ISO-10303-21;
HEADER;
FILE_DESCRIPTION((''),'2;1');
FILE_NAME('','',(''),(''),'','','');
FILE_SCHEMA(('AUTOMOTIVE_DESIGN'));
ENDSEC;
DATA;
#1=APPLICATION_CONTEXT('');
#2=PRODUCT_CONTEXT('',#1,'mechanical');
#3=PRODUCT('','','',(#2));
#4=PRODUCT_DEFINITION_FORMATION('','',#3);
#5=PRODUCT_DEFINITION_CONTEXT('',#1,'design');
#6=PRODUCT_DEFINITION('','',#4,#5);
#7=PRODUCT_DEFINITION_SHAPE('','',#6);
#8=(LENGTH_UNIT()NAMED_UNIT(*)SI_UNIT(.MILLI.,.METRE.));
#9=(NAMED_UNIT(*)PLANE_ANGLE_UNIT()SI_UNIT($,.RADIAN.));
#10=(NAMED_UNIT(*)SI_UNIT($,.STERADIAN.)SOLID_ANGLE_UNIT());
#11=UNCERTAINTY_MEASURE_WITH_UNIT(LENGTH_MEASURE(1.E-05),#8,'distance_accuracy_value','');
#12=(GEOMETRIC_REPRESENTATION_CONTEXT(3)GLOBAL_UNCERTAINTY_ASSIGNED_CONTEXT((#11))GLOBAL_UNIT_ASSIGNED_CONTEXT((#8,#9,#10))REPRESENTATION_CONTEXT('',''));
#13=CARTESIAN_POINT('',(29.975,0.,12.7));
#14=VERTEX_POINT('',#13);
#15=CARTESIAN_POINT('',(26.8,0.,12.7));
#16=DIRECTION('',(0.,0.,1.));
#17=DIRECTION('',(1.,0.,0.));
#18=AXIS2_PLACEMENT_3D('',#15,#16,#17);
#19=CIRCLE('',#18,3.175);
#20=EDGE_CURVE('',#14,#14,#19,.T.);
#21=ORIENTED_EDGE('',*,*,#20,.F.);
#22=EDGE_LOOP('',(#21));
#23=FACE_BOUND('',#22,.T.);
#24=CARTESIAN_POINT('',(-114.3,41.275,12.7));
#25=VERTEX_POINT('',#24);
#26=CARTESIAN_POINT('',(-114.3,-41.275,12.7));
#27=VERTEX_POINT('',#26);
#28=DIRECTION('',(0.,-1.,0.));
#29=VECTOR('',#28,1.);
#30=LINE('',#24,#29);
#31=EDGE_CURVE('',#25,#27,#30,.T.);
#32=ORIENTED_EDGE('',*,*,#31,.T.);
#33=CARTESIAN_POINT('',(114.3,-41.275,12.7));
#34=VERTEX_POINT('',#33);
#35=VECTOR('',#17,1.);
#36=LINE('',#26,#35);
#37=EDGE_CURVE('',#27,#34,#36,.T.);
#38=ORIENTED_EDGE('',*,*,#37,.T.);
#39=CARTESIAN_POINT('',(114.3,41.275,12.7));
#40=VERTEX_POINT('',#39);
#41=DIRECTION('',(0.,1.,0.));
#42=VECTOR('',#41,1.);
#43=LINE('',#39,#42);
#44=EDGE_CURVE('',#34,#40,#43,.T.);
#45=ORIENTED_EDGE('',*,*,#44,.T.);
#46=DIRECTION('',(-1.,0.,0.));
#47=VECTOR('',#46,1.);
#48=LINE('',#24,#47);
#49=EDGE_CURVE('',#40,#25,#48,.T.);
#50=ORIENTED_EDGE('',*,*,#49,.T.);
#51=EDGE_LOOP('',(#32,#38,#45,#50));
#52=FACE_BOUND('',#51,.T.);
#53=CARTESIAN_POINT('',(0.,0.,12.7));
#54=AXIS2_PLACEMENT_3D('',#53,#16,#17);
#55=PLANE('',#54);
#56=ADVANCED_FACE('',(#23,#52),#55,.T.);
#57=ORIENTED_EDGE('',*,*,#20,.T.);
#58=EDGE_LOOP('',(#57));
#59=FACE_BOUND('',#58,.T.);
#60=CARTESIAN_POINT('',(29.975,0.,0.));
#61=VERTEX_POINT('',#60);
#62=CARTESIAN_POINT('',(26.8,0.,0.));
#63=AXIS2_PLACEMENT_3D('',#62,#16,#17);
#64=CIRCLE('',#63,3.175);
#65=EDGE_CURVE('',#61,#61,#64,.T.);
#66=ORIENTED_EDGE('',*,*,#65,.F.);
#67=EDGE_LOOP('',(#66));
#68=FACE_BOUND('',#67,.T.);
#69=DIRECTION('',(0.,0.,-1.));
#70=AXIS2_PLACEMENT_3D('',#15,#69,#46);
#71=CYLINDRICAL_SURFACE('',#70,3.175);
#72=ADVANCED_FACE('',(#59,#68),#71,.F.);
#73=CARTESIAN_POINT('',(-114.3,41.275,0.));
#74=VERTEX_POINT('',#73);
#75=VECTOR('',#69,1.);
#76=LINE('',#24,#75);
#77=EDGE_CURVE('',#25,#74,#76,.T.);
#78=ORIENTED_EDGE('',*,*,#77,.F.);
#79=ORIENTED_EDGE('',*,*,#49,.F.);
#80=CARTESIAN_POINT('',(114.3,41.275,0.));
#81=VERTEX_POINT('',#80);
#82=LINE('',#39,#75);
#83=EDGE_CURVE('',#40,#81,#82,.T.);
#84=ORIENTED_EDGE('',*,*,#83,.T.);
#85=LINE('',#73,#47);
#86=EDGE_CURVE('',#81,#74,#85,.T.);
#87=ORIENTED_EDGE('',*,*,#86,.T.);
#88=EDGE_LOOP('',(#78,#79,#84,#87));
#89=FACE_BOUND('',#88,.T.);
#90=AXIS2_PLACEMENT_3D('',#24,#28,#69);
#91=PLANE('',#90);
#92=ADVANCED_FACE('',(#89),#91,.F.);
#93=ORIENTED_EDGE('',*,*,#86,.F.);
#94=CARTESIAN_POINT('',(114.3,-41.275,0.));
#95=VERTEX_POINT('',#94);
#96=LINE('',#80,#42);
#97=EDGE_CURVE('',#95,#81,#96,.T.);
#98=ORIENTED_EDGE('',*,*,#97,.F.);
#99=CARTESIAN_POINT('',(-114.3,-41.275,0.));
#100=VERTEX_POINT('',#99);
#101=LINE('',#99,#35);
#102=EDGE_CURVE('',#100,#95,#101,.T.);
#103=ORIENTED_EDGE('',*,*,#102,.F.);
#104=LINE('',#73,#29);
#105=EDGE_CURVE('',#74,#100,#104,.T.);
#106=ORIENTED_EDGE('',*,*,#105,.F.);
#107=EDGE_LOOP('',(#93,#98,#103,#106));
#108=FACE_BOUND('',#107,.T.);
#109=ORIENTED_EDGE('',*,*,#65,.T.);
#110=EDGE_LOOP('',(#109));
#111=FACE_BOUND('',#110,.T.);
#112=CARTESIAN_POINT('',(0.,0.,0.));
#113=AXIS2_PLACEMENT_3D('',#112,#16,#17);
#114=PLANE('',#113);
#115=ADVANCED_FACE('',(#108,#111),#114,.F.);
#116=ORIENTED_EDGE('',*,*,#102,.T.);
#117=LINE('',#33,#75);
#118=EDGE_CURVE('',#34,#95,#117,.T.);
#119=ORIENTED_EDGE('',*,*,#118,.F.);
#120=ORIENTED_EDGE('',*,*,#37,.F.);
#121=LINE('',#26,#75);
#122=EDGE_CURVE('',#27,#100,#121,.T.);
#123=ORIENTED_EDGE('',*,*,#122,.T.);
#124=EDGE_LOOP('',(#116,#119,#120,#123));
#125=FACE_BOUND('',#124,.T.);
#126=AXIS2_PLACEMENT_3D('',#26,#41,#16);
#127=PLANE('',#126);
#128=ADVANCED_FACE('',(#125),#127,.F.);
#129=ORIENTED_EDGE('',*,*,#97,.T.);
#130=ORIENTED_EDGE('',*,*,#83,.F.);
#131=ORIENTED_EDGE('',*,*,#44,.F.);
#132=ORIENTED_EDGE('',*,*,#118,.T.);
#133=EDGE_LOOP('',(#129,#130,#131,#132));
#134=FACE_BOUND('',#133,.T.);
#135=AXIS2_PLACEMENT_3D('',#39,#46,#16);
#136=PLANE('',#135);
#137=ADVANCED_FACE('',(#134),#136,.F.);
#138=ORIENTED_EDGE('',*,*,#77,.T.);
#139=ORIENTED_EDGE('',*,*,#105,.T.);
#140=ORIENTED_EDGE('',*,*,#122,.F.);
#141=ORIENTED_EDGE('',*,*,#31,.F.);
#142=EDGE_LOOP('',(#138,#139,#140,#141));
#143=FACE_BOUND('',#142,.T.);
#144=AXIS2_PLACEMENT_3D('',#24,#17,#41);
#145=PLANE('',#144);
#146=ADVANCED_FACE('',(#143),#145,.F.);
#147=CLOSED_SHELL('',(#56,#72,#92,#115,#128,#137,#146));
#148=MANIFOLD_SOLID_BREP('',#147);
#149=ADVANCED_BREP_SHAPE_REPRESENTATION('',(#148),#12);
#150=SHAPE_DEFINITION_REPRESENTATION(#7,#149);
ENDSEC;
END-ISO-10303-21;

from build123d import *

# Parameters (mm, degrees)
ESQUISSE1_W        = 228.6
ESQUISSE1_H        = 82.55
ESQUISSE1_R        = 3.175
BOSS_EXTRU_1_DEPTH = 12.7


with BuildPart() as part:
    # Esquisse1 → Boss.-Extru.1 (new body)
    with BuildSketch(Plane.XY):
        Rectangle(ESQUISSE1_W, ESQUISSE1_H)
        with Locations((26.800000015, 0)):
            Circle(ESQUISSE1_R, mode=Mode.SUBTRACT)
    extrude(amount=BOSS_EXTRU_1_DEPTH)


solid = part.part
